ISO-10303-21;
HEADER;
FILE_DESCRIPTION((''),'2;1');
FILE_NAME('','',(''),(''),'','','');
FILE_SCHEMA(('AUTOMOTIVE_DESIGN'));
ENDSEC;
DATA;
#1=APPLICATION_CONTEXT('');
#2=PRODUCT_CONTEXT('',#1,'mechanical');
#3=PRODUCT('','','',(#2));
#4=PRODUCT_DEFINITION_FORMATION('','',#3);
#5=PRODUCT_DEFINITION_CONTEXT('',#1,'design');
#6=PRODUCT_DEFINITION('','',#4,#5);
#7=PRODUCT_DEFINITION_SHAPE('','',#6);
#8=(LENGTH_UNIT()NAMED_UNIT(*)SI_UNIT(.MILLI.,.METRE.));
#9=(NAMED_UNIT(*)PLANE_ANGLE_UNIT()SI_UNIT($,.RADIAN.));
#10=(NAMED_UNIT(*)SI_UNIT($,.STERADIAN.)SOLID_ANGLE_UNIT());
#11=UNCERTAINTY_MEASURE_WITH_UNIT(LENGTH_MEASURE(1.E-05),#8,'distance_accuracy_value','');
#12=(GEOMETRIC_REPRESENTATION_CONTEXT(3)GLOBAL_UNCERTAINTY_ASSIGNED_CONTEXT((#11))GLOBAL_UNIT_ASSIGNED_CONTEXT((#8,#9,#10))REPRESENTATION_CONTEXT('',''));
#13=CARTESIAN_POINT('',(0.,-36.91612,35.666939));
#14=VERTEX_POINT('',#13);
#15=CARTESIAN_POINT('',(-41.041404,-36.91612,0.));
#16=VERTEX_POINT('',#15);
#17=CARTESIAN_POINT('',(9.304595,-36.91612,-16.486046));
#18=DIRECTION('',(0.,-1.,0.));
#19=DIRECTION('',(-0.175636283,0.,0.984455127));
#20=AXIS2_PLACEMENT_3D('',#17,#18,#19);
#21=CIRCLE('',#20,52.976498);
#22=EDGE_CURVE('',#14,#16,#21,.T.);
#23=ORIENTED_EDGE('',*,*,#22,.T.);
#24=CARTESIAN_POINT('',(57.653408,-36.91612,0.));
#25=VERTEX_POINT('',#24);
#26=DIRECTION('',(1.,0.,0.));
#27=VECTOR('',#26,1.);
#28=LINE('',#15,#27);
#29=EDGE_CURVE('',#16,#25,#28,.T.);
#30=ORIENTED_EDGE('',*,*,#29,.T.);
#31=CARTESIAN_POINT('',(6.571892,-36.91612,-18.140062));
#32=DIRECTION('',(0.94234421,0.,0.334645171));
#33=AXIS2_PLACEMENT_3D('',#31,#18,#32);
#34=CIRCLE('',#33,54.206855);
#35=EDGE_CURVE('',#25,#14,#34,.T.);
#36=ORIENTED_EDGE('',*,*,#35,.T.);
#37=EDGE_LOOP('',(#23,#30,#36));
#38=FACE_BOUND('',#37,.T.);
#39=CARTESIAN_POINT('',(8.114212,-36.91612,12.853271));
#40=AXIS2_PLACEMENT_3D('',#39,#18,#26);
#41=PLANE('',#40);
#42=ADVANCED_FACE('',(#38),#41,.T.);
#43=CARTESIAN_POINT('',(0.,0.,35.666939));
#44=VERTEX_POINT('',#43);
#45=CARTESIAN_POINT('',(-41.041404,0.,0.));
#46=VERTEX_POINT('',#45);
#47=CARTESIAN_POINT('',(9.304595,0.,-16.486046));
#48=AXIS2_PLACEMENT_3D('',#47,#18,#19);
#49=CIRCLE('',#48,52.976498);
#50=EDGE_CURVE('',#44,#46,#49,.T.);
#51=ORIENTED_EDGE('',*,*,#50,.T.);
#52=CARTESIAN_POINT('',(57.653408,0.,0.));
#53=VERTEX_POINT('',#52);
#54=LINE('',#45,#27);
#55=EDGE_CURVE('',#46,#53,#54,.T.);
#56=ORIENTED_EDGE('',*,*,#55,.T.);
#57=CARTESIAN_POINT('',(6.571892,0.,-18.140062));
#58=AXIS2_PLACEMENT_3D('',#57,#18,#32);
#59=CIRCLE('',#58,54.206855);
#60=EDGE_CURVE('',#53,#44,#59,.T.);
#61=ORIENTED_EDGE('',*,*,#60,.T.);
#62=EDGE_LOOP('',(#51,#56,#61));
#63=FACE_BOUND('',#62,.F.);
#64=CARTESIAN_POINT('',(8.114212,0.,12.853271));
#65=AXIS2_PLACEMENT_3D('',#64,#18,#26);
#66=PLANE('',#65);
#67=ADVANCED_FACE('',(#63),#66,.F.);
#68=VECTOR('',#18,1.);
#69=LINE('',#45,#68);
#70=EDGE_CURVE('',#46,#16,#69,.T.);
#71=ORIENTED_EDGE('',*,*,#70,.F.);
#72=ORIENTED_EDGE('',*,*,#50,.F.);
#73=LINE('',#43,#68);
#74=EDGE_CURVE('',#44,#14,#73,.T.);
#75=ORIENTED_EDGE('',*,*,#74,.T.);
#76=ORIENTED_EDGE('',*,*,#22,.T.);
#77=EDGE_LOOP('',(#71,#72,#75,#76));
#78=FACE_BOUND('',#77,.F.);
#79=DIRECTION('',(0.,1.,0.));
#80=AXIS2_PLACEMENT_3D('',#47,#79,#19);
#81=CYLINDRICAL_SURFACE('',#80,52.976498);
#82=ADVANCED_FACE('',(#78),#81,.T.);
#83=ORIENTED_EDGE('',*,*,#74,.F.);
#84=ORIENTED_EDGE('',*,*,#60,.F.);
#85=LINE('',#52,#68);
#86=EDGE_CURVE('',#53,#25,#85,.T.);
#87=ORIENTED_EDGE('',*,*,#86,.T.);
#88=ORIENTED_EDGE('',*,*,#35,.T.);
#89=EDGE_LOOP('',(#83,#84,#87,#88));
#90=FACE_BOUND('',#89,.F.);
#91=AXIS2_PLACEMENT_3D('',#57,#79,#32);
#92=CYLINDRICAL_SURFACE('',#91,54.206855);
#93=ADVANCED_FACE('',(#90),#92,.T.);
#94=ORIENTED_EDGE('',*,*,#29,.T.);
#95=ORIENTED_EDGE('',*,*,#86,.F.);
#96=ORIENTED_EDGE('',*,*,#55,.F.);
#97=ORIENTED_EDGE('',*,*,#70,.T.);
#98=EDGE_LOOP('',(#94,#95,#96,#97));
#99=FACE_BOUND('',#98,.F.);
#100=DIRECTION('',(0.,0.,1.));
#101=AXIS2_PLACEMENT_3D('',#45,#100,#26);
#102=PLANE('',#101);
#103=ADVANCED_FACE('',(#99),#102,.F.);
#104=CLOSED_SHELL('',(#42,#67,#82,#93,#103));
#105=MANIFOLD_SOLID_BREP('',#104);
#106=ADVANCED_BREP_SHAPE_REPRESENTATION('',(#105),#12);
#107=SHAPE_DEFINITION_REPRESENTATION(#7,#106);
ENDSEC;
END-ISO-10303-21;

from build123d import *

# Parameters (mm, degrees)
F1_DEPTH = 36.91612


with BuildPart() as f1:
    # F0 (on Front) → F1 (new body)
    with BuildSketch(Plane.XZ):
        with BuildLine():
            ThreePointArc((57.653408, 0), (35.09047, 27.958461), (0, 35.666939))
            ThreePointArc((0, 35.666939), (-25.445671, 23.500556), (-41.041404, 0))
            Line((-41.041404, 0), (57.653408, 0))
        make_face()
    extrude(amount=F1_DEPTH)


solid = f1.part
